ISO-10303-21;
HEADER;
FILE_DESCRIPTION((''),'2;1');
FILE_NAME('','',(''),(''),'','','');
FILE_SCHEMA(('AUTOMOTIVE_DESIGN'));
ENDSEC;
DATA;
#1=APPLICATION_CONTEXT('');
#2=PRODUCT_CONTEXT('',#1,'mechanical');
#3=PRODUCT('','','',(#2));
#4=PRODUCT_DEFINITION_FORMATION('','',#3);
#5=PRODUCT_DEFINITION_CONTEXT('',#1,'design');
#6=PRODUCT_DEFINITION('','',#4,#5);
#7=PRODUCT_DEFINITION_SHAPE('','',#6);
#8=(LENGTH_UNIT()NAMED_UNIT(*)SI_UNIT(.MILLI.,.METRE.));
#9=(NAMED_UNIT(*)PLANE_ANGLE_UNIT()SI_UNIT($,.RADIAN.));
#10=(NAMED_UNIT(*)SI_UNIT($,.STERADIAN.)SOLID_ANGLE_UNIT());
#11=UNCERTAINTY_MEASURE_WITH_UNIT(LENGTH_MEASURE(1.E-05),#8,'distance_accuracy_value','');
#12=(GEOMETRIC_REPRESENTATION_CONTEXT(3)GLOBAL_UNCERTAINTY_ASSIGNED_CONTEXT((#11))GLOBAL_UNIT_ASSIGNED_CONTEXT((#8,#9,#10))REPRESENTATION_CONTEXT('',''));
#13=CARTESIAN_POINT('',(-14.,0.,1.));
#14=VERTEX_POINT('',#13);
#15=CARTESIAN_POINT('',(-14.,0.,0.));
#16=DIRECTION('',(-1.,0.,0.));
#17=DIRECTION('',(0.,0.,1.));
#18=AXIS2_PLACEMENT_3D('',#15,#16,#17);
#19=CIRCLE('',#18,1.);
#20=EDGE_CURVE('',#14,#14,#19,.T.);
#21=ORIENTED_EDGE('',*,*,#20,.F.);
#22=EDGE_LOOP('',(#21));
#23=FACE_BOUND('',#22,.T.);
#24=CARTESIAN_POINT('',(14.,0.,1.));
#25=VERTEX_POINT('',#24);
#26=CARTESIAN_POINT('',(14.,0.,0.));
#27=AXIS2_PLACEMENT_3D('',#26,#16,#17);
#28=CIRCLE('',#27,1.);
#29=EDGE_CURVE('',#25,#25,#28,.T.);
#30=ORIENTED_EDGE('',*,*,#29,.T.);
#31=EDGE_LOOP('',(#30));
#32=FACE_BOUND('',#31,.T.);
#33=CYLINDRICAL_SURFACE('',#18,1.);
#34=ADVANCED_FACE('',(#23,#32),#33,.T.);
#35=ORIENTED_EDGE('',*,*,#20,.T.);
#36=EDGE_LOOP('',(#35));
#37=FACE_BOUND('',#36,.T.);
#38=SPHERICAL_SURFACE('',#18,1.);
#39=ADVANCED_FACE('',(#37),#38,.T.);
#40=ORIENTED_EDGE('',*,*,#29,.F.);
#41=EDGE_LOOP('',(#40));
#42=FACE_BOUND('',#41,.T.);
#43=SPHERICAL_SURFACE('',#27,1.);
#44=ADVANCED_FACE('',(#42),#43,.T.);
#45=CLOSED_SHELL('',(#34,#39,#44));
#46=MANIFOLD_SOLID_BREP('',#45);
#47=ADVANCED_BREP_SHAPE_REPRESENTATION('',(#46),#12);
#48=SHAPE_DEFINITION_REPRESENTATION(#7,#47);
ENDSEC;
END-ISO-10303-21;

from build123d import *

# Parameters (mm, degrees)
SKETCH1_W         = 28
SKETCH1_H         = 1
DOME1_FACE_RADIUS = 1
DOME1_HEIGHT      = 1
DOME2_FACE_RADIUS = 1
DOME2_HEIGHT      = 1


with BuildPart() as part:
    # Sketch1 → Revolve1 (revolve)
    with BuildSketch(Plane.XY):
        with Locations((0, 0.5)):
            Rectangle(SKETCH1_W, SKETCH1_H)
    revolve(axis=Axis((-14, 0, 0), (1, 0, 0)))

    # Dome1: a dome of height H over a round flat face of radius A is a cap of a sphere of radius (A * A + H * H) / (2 * H)
    dome1_r = (DOME1_FACE_RADIUS * DOME1_FACE_RADIUS + DOME1_HEIGHT * DOME1_HEIGHT) / (2 * DOME1_HEIGHT)
    dome1_base = Plane((-14, 0, 0), z_dir=(-1, 0, 0))
    with Locations(dome1_base.offset(DOME1_HEIGHT - dome1_r)):
        dome1_ball = Sphere(dome1_r, mode=Mode.PRIVATE)
    add(split(dome1_ball, bisect_by=dome1_base, keep=Keep.TOP, mode=Mode.PRIVATE))

    # Dome2: a dome of height H over a round flat face of radius A is a cap of a sphere of radius (A * A + H * H) / (2 * H)
    dome2_r = (DOME2_FACE_RADIUS * DOME2_FACE_RADIUS + DOME2_HEIGHT * DOME2_HEIGHT) / (2 * DOME2_HEIGHT)
    dome2_base = Plane((14, 0, 0), z_dir=(1, 0, 0))
    with Locations(dome2_base.offset(DOME2_HEIGHT - dome2_r)):
        dome2_ball = Sphere(dome2_r, mode=Mode.PRIVATE)
    add(split(dome2_ball, bisect_by=dome2_base, keep=Keep.TOP, mode=Mode.PRIVATE))


solid = part.part
